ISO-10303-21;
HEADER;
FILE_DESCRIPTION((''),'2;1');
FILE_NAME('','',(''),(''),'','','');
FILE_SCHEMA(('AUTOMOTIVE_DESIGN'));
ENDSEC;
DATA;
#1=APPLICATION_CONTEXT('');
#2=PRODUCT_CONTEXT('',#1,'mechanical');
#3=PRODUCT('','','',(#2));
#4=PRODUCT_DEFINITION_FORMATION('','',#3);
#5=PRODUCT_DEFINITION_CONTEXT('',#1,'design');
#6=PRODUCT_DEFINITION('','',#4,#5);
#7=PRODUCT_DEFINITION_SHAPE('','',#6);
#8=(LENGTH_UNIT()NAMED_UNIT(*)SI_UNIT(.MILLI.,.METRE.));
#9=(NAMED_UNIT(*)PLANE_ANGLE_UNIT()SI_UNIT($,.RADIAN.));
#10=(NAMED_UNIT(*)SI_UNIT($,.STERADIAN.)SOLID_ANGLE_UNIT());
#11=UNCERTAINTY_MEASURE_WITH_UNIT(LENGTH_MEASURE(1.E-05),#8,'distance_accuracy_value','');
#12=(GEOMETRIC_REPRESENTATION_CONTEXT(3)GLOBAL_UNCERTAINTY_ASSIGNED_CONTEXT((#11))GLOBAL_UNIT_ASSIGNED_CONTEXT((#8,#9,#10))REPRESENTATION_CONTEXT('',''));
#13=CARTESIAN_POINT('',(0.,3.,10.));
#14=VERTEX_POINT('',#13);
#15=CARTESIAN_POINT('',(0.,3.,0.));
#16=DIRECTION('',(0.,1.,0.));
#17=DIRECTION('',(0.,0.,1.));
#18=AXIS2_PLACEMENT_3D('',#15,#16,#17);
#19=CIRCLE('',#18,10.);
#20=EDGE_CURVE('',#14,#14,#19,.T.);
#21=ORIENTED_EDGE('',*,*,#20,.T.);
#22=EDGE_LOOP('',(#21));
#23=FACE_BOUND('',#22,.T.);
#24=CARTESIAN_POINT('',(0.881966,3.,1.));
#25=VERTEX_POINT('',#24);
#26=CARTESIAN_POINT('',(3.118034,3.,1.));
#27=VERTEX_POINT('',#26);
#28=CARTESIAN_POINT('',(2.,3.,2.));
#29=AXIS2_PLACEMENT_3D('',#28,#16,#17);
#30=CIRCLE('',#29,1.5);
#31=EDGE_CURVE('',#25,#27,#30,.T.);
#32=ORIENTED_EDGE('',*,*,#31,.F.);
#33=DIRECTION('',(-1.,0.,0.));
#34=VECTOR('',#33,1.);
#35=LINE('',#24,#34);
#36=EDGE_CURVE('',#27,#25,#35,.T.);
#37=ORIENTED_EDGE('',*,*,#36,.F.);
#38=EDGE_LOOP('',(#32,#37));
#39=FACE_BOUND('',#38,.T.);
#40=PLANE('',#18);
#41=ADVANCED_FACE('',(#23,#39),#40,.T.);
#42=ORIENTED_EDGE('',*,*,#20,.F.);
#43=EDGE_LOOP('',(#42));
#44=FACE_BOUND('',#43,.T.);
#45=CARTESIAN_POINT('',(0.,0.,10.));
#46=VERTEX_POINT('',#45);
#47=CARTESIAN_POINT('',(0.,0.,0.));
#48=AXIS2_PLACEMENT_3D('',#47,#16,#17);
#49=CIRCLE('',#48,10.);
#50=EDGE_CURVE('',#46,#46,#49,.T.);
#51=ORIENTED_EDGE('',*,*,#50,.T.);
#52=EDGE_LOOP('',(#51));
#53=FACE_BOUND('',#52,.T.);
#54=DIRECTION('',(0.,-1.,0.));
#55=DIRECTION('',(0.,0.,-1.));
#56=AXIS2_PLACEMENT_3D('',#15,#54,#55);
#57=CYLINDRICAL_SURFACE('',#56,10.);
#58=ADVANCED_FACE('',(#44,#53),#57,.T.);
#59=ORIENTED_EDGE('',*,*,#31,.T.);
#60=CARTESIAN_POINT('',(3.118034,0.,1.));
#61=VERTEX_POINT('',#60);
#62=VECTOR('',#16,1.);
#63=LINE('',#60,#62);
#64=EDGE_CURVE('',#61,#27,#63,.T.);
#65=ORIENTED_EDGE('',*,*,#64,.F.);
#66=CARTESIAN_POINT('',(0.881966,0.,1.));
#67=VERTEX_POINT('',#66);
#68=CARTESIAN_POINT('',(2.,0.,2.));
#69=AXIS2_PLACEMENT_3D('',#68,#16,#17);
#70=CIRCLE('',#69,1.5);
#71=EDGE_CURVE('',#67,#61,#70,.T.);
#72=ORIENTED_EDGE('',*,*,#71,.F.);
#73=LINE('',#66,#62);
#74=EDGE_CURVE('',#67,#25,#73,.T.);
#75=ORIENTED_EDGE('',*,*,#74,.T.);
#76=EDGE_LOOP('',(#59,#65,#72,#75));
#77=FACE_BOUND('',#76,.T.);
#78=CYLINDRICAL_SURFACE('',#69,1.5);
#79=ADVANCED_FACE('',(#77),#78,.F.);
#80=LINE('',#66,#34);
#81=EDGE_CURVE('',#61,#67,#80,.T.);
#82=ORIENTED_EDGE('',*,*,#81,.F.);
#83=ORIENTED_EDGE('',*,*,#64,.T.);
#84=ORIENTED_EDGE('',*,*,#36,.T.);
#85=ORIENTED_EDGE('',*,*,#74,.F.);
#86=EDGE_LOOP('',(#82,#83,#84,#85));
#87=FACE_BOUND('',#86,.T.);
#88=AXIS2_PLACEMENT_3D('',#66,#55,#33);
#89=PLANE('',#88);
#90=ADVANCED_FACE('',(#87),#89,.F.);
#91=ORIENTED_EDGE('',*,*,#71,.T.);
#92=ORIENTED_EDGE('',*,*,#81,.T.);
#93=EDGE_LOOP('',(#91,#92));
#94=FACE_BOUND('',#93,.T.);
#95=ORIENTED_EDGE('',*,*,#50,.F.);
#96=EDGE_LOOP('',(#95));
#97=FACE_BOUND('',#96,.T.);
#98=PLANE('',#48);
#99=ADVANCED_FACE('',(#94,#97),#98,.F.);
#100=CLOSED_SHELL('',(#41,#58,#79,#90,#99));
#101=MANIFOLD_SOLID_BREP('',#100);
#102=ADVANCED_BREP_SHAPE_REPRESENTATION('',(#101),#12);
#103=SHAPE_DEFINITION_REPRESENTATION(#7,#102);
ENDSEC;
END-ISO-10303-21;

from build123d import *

# Parameters (mm, degrees)
SKETCH1_R           = 10
BOSS_EXTRUDE1_DEPTH = 3
CUT_EXTRUDE2_DEPTH  = 3


with BuildPart() as part:
    # Sketch1 → Boss-Extrude1 (new body)
    with BuildSketch(Plane(origin=(0, 0, 0), x_dir=(1, 0, 0), z_dir=(0, 1, 0))):
        with Locations(Location((0, 0, 0), (0, 0, 270))):
            Circle(SKETCH1_R)
    extrude(amount=BOSS_EXTRUDE1_DEPTH)

    # Sketch6 → Cut-Extrude2 (cut)
    with BuildSketch(Plane(origin=(0, 3, 0), x_dir=(1, 0, 0), z_dir=(0, 1, 0))):
        with BuildLine():
            Line((0.881966011, -1), (3.118033989, -1))
            ThreePointArc((3.118033989, -1), (2, -3.5), (0.881966011, -1))
        make_face()
    extrude(amount=-CUT_EXTRUDE2_DEPTH, mode=Mode.SUBTRACT)


solid = part.part
